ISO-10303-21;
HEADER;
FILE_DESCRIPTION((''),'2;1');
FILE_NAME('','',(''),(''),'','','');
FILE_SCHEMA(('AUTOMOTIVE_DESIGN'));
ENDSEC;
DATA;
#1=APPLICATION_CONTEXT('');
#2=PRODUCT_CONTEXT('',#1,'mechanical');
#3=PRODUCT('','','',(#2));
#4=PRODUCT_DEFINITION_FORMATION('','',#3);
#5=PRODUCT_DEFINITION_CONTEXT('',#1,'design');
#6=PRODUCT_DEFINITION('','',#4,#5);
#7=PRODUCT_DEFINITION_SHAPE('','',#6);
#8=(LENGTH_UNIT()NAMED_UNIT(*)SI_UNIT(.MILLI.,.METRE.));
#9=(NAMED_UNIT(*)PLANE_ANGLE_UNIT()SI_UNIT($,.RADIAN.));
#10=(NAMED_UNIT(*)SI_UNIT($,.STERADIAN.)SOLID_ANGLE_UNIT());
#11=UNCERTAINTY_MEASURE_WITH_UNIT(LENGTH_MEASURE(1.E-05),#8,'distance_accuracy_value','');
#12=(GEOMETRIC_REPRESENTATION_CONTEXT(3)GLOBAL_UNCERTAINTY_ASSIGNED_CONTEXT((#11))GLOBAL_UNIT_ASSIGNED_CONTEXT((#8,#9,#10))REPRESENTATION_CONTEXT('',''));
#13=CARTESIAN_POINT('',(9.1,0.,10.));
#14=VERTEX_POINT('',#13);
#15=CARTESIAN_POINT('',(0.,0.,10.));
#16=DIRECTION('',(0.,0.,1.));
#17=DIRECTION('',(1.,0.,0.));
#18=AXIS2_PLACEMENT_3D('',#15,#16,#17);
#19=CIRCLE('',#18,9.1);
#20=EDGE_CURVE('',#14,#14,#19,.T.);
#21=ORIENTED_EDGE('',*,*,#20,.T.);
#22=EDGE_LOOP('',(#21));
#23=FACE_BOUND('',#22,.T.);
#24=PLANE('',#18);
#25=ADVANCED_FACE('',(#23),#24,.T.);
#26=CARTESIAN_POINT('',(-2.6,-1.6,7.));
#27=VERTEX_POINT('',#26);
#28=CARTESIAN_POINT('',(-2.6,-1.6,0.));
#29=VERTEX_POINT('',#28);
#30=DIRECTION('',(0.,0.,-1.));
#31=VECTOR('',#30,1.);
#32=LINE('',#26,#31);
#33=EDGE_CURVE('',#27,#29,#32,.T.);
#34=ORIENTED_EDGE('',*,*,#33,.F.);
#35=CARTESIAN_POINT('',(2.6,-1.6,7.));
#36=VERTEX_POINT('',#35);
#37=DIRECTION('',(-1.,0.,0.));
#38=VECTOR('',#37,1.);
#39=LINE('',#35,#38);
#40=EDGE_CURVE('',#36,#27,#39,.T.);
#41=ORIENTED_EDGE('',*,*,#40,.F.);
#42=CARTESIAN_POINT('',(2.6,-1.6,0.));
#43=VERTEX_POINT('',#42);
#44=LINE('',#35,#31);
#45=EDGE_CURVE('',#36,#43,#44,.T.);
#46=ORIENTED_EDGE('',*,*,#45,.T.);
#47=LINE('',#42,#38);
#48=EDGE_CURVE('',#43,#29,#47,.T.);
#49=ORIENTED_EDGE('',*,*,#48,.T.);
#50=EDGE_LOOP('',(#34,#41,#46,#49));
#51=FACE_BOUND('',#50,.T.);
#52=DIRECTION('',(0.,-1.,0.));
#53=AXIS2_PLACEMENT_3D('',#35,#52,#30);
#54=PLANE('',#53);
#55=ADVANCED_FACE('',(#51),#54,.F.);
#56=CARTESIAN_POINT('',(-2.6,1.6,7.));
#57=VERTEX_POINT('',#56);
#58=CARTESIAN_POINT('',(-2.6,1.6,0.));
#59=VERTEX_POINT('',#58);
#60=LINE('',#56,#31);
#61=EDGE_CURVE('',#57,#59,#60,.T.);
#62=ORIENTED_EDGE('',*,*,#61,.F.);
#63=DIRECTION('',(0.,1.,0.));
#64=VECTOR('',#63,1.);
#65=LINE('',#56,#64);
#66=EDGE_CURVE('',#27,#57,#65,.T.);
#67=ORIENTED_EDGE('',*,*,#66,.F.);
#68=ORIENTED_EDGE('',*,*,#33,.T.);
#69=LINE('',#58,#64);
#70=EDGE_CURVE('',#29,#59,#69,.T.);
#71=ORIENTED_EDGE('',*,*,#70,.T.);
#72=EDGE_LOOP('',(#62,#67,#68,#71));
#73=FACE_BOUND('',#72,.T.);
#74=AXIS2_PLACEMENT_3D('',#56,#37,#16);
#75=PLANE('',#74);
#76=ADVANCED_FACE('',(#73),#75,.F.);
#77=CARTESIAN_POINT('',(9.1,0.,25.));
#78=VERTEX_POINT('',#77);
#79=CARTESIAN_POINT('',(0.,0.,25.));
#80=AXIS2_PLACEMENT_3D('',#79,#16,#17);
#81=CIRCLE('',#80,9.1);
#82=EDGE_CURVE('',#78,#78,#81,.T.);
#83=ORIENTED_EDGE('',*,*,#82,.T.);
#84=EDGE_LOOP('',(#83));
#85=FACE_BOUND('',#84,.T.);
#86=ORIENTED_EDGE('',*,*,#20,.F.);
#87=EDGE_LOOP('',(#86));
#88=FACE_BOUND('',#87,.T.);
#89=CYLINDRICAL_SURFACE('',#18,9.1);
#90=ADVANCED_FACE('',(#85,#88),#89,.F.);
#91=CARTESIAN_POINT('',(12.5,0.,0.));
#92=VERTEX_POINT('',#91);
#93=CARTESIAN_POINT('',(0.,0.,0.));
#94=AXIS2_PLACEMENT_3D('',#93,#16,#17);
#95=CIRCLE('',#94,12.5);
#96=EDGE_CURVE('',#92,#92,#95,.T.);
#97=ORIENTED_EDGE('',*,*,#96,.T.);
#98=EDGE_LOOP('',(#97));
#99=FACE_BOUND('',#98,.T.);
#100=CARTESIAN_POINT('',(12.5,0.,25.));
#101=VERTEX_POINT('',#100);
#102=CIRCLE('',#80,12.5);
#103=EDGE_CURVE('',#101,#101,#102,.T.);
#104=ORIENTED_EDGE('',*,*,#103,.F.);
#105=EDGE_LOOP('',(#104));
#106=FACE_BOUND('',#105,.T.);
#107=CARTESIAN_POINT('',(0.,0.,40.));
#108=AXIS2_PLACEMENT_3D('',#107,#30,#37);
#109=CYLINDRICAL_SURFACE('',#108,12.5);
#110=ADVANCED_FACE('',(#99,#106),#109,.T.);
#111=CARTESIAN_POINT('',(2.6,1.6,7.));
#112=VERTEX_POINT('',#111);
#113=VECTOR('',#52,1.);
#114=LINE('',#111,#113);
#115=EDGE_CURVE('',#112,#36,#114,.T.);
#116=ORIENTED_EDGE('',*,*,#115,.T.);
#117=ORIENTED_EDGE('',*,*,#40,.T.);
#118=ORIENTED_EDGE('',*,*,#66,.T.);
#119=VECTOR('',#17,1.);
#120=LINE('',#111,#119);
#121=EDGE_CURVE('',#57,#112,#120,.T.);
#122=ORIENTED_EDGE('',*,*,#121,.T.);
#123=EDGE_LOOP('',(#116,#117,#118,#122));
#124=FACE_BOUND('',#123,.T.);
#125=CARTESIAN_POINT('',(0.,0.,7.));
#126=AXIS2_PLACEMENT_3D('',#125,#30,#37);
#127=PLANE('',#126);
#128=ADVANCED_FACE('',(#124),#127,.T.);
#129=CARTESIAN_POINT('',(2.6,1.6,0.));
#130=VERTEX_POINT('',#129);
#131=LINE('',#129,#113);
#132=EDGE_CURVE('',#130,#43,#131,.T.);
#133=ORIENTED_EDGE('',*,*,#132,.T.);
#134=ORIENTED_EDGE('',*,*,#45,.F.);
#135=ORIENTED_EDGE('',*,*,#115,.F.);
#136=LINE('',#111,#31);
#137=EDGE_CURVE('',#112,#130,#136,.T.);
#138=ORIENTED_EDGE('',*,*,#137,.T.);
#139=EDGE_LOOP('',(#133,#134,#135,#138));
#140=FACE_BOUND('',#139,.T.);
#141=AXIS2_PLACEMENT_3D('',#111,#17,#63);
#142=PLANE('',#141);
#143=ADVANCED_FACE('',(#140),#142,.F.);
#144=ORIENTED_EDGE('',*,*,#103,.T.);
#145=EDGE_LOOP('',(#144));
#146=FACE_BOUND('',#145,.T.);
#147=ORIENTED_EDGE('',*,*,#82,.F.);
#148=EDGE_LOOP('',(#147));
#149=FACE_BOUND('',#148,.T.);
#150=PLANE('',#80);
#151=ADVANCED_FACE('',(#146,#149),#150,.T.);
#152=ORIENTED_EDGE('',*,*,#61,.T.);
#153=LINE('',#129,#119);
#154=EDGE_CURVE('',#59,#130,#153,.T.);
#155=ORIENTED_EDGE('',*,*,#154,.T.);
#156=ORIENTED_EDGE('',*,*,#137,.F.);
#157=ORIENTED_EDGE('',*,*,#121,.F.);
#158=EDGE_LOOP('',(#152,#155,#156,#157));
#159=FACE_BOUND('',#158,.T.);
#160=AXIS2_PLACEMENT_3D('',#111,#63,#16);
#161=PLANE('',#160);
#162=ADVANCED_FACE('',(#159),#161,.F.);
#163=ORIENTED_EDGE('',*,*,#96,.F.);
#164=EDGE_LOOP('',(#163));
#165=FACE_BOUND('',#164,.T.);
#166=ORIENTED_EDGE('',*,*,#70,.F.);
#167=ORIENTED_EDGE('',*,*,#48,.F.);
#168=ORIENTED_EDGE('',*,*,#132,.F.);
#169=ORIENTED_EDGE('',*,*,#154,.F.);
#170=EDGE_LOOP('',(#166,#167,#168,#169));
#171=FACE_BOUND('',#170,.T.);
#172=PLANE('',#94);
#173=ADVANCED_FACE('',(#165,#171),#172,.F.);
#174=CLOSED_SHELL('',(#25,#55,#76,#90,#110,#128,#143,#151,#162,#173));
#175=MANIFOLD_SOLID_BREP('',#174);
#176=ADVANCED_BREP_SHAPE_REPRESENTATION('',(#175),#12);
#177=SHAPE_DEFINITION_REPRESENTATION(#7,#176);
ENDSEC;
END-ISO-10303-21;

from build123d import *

# Parameters (mm, degrees)
SKETCH1_R           = 12.5
BOSS_EXTRUDE1_DEPTH = 40
SKETCH2_R           = 19
CUT_EXTRUDE1_DEPTH  = 15
SKETCH3_W           = 5.2
SKETCH3_H           = 3.2
CUT_EXTRUDE2_DEPTH  = 7
SKETCH4_R           = 9.1
CUT_EXTRUDE3_DEPTH  = 15


with BuildPart() as part:
    # Sketch1 → Boss-Extrude1 (new body)
    with BuildSketch(Plane.XY):
        Circle(SKETCH1_R)
    extrude(amount=BOSS_EXTRUDE1_DEPTH)

    # Sketch2 → Cut-Extrude1 (cut)
    with BuildSketch(Plane.XY.offset(40)):
        Circle(SKETCH2_R)
    extrude(amount=-CUT_EXTRUDE1_DEPTH, mode=Mode.SUBTRACT)

    # Sketch3 → Cut-Extrude2 (cut)
    with BuildSketch(Plane(origin=(0, 0, 0), x_dir=(-1, 0, 0), z_dir=(0, 0, -1))):
        Rectangle(SKETCH3_W, SKETCH3_H)
    extrude(amount=-CUT_EXTRUDE2_DEPTH, mode=Mode.SUBTRACT)

    # Sketch4 → Cut-Extrude3 (cut)
    with BuildSketch(Plane.XY.offset(25)):
        Circle(SKETCH4_R)
    extrude(amount=-CUT_EXTRUDE3_DEPTH, mode=Mode.SUBTRACT)


solid = part.part
